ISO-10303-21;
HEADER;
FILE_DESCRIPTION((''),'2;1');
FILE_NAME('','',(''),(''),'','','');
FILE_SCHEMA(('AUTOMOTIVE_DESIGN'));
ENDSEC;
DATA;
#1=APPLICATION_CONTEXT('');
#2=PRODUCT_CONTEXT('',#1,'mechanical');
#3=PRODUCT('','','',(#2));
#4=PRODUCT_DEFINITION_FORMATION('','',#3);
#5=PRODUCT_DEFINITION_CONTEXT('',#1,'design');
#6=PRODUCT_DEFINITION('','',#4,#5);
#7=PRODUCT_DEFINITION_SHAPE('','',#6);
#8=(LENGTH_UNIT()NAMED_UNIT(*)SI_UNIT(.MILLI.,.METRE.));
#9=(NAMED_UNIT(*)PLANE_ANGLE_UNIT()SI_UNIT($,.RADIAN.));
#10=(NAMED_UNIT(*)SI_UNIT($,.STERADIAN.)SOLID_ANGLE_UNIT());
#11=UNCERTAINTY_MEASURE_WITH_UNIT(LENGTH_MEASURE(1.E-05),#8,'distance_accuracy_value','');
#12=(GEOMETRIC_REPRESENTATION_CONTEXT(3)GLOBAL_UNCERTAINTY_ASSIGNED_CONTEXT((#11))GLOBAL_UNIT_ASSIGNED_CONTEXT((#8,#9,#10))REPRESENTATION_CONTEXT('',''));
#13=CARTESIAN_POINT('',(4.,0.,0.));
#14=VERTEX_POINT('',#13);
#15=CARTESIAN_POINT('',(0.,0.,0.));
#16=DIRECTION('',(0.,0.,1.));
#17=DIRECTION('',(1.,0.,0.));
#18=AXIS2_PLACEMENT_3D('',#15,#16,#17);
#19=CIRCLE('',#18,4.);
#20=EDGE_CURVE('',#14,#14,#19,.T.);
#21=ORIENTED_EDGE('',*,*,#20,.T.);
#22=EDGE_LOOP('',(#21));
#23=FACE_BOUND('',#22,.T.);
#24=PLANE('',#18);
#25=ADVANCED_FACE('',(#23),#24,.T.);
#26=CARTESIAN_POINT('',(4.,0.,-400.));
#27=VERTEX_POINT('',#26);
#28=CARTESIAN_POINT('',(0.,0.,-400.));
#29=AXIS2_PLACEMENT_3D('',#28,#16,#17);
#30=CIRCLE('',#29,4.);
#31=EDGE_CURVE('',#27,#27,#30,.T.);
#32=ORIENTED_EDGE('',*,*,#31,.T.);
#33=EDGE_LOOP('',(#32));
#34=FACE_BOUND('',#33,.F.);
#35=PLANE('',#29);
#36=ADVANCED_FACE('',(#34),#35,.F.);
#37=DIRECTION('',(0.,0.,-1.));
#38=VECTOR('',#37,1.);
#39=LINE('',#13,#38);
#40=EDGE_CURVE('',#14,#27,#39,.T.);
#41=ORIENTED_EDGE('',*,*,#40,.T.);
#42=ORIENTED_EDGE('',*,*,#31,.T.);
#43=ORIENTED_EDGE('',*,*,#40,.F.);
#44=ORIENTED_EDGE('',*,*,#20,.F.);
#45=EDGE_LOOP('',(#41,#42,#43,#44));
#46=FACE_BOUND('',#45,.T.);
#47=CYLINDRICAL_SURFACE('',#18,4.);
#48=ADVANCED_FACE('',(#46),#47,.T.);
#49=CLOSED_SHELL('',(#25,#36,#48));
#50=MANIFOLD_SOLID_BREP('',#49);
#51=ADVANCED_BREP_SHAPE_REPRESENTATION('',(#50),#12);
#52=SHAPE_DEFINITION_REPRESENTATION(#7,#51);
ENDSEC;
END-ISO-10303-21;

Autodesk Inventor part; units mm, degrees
ref_plane "YZ Plane" through (0, 0, 0) normal (1, 0, 0) x (0, 1, 0)
ref_plane "XZ Plane" through (0, 0, 0) normal (0, 1, 0) x (-1, 0, 0)
ref_plane "XY Plane" through (0, 0, 0) normal (0, 0, 1) x (1, 0, 0)
sketch "Sketch1" plane through (0, 0, 0) normal (0, 0, 1) x (1, 0, 0)
  circle A0 centre (0, 0) radius 4
  dimension "d0" = 8
extrude "Extrusion1" add sketch "Sketch1" against normal blind 400
properties part number "tmp driveline"
